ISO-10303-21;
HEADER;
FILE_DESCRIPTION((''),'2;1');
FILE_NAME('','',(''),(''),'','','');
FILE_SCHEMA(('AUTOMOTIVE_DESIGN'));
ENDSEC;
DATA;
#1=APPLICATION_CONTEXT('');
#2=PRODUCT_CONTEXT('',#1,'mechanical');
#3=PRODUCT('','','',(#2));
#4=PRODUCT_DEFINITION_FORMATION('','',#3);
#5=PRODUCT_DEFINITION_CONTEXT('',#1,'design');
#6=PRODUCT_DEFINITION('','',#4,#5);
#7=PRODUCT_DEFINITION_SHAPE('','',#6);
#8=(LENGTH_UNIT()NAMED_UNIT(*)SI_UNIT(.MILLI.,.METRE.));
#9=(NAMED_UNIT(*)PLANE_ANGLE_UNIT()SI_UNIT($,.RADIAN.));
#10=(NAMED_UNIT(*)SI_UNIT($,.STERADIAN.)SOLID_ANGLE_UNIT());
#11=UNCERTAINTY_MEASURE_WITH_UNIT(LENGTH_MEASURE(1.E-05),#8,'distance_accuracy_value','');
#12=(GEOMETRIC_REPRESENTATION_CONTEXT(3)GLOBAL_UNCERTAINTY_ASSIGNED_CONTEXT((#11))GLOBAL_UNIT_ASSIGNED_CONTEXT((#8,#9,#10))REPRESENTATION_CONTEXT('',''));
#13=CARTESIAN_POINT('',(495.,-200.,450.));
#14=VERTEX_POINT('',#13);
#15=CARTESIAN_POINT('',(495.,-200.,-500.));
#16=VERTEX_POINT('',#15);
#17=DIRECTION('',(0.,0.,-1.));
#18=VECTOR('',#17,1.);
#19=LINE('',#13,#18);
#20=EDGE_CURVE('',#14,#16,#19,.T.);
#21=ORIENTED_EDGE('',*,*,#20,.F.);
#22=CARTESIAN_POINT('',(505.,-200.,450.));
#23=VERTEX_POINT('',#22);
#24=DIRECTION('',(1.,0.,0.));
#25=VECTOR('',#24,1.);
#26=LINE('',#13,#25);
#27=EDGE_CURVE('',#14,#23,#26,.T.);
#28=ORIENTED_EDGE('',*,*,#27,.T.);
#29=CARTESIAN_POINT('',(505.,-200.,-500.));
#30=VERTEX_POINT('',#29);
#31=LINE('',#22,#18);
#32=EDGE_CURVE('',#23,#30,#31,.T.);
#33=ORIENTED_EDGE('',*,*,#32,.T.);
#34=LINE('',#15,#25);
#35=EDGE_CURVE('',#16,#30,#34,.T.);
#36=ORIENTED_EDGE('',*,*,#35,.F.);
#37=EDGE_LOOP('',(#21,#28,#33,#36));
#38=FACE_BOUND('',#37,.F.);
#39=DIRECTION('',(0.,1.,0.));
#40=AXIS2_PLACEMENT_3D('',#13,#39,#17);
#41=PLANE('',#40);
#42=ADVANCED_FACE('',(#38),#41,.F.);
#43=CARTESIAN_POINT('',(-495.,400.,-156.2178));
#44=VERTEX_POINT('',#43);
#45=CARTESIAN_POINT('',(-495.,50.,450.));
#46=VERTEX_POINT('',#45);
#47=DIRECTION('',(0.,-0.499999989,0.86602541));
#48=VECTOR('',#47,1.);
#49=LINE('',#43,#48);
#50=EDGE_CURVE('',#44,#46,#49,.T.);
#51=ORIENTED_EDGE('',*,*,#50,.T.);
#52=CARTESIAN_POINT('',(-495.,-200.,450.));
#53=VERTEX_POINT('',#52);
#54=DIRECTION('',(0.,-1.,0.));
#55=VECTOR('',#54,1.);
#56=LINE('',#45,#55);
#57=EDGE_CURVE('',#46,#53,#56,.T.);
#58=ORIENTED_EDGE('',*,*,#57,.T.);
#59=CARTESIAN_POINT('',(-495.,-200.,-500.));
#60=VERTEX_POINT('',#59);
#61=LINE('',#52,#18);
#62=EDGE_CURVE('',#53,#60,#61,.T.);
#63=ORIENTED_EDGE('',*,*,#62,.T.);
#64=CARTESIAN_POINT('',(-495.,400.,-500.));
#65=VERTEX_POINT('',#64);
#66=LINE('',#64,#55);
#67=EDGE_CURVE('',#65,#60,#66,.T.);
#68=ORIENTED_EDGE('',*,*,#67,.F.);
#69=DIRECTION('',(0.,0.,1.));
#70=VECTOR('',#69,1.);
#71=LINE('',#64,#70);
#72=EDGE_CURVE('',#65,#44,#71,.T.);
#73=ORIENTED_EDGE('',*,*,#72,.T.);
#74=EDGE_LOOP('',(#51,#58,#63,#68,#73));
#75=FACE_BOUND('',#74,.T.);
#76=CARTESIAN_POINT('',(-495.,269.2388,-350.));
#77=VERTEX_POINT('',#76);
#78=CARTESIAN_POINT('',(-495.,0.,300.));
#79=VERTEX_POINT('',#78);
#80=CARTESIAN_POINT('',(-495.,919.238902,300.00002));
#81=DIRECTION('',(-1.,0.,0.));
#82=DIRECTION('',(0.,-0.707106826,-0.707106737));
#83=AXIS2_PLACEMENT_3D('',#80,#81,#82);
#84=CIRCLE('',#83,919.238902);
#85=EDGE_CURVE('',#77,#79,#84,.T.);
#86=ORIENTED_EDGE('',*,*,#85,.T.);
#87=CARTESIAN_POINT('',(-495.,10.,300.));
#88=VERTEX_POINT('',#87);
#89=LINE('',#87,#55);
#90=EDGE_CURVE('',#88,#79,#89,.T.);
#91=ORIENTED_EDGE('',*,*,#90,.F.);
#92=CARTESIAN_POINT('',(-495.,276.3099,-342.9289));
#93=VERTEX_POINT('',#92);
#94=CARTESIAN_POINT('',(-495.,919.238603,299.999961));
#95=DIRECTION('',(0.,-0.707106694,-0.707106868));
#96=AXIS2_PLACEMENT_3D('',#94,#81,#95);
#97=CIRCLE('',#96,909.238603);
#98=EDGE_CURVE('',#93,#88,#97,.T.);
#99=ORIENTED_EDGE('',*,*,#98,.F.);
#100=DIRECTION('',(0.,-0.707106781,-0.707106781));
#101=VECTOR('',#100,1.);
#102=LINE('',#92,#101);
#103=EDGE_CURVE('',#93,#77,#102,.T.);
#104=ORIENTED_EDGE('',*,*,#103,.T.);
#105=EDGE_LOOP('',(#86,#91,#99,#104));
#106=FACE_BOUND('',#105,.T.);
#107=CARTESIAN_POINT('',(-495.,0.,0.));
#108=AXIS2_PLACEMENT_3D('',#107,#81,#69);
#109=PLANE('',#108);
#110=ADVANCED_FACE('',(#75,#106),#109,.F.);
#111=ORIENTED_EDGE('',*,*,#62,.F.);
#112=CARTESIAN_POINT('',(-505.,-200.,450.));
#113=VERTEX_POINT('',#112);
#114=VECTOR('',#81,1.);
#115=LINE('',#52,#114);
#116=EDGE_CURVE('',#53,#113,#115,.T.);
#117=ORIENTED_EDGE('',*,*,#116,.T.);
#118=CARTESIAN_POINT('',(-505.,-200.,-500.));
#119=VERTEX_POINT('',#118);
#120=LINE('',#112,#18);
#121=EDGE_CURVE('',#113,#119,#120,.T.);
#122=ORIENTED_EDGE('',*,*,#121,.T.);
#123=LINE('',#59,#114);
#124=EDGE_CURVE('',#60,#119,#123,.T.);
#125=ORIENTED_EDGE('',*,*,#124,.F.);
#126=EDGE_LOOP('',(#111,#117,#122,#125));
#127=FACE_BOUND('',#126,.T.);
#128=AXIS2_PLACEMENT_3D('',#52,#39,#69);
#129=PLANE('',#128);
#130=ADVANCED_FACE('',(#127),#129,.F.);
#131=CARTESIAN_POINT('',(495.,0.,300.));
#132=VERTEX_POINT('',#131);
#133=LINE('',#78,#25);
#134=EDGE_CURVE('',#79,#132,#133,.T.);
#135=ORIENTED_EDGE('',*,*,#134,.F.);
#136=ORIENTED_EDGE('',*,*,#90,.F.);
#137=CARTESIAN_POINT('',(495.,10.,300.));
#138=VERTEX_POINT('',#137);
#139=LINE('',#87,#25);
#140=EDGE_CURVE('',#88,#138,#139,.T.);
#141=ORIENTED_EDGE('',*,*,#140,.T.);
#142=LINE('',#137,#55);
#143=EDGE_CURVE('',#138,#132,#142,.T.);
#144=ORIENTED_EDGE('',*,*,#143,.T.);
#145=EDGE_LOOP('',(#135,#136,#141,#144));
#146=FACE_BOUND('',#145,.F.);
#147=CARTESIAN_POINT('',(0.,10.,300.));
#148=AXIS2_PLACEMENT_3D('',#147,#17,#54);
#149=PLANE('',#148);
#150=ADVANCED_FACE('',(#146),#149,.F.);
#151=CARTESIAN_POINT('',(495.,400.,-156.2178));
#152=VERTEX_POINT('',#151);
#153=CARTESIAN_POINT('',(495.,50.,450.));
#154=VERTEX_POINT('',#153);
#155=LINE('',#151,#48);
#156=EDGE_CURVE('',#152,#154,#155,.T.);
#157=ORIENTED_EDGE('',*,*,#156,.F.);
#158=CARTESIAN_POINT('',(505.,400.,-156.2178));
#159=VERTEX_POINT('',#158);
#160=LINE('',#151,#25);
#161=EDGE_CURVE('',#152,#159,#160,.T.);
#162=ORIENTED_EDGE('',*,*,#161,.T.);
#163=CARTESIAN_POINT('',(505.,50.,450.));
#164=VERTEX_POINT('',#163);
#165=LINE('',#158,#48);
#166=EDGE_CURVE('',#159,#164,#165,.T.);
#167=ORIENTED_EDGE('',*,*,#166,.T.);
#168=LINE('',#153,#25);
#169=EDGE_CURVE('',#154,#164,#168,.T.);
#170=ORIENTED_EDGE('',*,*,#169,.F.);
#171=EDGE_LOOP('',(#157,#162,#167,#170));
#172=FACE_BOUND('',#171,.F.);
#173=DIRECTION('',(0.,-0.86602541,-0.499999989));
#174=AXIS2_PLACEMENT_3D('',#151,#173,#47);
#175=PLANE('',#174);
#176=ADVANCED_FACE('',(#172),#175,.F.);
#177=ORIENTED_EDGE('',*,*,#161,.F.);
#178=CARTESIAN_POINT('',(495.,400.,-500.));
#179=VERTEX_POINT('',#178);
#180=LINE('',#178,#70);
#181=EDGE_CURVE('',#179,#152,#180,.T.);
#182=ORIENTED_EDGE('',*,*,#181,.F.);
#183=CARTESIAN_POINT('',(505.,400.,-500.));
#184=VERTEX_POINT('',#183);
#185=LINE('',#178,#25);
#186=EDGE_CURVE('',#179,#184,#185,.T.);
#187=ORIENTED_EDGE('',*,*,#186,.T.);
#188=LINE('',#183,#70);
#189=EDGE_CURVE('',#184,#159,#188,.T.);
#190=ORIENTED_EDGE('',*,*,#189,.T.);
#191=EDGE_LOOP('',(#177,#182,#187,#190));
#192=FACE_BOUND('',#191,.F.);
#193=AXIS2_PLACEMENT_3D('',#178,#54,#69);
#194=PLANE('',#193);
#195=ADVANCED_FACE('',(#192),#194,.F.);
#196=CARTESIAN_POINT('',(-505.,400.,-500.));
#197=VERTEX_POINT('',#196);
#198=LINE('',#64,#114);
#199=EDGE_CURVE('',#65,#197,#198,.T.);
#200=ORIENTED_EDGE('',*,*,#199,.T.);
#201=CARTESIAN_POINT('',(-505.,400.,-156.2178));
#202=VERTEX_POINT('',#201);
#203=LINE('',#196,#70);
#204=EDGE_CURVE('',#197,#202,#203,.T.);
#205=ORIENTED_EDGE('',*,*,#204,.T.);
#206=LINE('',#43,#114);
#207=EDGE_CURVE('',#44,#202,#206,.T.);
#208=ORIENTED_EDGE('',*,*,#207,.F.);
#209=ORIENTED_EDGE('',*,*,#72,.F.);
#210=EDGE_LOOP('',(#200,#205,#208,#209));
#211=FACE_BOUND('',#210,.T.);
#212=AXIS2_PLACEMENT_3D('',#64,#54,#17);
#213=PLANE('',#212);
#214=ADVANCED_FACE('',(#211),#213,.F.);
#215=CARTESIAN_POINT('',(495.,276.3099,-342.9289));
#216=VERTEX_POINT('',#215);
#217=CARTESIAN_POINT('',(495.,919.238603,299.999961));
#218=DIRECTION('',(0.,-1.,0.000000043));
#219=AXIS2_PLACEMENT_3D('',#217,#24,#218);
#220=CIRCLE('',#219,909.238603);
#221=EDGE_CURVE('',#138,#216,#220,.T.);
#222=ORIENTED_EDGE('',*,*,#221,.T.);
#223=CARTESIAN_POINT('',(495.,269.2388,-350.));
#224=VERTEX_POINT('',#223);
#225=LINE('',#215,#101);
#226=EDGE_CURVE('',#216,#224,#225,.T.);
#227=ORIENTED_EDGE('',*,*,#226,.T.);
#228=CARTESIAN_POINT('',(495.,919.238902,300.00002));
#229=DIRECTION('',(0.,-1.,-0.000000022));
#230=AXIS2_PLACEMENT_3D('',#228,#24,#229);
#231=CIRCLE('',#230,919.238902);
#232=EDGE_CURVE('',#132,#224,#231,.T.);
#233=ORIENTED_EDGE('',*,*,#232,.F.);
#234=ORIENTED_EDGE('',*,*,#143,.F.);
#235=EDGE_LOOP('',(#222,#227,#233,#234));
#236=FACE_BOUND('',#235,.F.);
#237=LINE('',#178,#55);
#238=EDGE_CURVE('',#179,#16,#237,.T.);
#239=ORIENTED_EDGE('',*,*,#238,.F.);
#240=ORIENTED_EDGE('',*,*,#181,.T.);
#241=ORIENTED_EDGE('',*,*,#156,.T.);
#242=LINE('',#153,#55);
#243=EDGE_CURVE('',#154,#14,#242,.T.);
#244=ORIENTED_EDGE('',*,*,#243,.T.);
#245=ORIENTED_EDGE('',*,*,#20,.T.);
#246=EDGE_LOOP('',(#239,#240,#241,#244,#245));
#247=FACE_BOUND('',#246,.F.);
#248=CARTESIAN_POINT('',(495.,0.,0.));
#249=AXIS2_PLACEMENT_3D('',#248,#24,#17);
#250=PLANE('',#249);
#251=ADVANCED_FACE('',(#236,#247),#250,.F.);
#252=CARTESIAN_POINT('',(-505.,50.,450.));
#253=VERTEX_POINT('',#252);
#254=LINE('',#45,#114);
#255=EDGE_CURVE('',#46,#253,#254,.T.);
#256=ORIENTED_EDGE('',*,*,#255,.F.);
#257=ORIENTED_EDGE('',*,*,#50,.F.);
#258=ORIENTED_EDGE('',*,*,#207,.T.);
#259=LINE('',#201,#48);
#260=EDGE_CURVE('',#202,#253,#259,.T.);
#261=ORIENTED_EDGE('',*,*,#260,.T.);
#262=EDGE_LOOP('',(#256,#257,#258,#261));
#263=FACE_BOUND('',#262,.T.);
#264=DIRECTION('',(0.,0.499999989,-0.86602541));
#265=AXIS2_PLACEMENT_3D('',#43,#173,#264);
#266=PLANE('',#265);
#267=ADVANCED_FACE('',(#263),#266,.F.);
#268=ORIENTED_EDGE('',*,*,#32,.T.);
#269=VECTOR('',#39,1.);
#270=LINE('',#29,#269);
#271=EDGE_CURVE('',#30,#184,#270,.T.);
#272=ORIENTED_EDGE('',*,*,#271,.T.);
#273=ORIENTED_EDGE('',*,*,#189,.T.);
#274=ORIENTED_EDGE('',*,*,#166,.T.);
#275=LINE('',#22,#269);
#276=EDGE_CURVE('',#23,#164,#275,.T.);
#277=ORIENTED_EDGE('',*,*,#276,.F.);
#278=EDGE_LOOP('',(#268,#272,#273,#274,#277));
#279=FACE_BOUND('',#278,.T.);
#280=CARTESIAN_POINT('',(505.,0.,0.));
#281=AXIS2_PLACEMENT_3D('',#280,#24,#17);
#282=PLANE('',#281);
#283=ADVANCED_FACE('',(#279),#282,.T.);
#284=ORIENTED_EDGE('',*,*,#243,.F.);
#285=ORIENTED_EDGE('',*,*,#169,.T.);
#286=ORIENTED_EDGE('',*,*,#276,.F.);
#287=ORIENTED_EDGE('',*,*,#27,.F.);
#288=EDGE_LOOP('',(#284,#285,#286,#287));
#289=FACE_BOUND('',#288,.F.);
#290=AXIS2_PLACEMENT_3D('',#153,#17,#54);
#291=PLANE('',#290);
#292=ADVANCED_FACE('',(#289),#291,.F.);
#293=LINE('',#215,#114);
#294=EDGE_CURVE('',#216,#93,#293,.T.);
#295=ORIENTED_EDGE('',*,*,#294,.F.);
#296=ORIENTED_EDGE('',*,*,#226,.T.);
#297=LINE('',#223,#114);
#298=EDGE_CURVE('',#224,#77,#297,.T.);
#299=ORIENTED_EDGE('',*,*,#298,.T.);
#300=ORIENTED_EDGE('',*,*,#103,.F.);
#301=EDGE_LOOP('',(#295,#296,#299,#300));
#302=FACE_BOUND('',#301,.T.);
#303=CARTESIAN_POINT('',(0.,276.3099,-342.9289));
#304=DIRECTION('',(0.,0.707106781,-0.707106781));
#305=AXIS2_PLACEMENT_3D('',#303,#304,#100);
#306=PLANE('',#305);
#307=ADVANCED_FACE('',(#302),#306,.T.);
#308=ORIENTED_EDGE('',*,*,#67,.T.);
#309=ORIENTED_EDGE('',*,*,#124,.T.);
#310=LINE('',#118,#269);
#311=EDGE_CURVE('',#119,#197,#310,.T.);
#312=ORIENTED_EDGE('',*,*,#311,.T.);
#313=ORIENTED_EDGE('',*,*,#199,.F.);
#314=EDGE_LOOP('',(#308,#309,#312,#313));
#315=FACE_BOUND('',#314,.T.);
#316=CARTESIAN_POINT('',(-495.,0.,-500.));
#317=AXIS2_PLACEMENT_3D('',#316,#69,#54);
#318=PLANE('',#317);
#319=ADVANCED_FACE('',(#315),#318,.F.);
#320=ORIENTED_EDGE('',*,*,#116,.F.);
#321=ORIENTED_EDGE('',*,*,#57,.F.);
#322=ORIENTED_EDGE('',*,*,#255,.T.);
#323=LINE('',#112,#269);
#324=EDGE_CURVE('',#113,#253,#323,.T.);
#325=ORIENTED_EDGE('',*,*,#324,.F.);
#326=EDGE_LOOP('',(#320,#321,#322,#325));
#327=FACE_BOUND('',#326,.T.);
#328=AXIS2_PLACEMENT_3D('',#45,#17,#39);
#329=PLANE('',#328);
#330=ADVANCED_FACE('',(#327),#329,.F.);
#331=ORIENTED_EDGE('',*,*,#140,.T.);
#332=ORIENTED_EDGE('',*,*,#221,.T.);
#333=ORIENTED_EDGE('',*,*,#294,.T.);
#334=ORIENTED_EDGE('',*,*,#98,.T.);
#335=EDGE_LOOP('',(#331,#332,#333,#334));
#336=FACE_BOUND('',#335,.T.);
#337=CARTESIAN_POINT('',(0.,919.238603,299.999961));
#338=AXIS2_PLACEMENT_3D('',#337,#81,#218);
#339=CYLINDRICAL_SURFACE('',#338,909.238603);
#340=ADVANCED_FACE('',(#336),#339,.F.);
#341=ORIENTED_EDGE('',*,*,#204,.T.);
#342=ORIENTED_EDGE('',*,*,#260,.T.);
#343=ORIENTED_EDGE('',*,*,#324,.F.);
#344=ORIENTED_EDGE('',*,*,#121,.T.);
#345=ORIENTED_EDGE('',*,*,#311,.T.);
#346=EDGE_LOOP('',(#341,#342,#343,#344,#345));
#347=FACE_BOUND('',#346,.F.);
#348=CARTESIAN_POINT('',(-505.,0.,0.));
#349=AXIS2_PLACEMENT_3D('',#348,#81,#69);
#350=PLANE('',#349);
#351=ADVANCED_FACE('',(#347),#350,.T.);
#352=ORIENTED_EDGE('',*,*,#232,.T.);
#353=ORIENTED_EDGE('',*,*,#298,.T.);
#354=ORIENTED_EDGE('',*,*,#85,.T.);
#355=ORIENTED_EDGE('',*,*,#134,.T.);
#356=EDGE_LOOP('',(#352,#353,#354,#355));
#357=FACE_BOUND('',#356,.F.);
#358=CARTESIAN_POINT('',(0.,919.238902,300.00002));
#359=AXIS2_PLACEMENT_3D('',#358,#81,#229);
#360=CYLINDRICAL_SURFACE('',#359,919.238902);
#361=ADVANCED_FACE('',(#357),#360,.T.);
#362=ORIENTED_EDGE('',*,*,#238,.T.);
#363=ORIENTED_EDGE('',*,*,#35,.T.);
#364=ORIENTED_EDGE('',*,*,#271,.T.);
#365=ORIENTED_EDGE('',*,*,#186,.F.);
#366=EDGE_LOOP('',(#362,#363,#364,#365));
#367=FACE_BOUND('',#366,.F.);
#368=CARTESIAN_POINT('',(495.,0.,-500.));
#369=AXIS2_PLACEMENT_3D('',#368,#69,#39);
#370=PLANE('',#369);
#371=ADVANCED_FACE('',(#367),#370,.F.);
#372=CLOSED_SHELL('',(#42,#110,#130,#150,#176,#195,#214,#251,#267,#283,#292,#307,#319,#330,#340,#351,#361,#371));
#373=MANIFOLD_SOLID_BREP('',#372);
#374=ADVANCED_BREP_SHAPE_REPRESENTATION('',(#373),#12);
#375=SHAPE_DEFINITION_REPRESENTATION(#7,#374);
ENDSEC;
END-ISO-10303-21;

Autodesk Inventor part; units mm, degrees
ref_plane "YZ Plane" through (0, 0, 0) normal (1, 0, 0) x (0, 1, 0)
ref_plane "XZ Plane" through (0, 0, 0) normal (0, 1, 0) x (-1, 0, 0)
ref_plane "XY Plane" through (0, 0, 0) normal (0, 0, 1) x (1, 0, 0)
sketch "スケッチ1" plane through (0, 0, 0) normal (1, 0, 0) x (0, 1, 0)
  line L0 (10, 300) -> (0, 300)
  arc A0 (0, 300) -> (269.2388, -350) centre (919.2388, 300) ccw
  line L1 (0, -512.133) -> (0, 435.3555) projected
  arc A1 (10, 300) -> (276.3099, -342.9289) centre (919.2388, 300) ccw
  line L2 (-261.4236, 0) -> (1116.0159, 0) projected
  line L3 (276.3099, -342.9289) -> (269.2388, -350)
  point P0 (0, 0)
  dimension "d0" = 300
  dimension "d1" = 10
  dimension "d2" = 45
  dimension "d3" = 350
extrude "押し出し1" add sketch "スケッチ1" along normal mid plane 990 contours A1 L2 A0 L0 | A1 L3 A0 L2
sketch "スケッチ2" plane through (495, 0, 0) normal (1, 0, 0) x (0, 0, -1)
  line L0 (-450, 50) -> (-450, -200)
  line L1 (-450, -200) -> (500, -200)
  line L2 (500, -200) -> (500, 400)
  line L3 (500, 400) -> (156.2178, 400)
  line L4 (156.2178, 400) -> (-450, 50)
  line L5 (690, 0) -> (-640, 0) projected
  line L6 (-300, 10) -> (-300, 0) projected
  point P0 (0, 0)
  point P1 (350, 269.2388)
  dimension "d6" = 200
  dimension "d7" = 150
  dimension "d8" = 600
  dimension "d9" = 150
  dimension "d10" = 30
  dimension "d11" = 250
extrude "押し出し2" add sketch "スケッチ2" along normal blind 10
mirror "ミラー1" about plane through (0, 0, 0) normal (1, 0, 0) of "押し出し2"
properties part number "R-wing"
